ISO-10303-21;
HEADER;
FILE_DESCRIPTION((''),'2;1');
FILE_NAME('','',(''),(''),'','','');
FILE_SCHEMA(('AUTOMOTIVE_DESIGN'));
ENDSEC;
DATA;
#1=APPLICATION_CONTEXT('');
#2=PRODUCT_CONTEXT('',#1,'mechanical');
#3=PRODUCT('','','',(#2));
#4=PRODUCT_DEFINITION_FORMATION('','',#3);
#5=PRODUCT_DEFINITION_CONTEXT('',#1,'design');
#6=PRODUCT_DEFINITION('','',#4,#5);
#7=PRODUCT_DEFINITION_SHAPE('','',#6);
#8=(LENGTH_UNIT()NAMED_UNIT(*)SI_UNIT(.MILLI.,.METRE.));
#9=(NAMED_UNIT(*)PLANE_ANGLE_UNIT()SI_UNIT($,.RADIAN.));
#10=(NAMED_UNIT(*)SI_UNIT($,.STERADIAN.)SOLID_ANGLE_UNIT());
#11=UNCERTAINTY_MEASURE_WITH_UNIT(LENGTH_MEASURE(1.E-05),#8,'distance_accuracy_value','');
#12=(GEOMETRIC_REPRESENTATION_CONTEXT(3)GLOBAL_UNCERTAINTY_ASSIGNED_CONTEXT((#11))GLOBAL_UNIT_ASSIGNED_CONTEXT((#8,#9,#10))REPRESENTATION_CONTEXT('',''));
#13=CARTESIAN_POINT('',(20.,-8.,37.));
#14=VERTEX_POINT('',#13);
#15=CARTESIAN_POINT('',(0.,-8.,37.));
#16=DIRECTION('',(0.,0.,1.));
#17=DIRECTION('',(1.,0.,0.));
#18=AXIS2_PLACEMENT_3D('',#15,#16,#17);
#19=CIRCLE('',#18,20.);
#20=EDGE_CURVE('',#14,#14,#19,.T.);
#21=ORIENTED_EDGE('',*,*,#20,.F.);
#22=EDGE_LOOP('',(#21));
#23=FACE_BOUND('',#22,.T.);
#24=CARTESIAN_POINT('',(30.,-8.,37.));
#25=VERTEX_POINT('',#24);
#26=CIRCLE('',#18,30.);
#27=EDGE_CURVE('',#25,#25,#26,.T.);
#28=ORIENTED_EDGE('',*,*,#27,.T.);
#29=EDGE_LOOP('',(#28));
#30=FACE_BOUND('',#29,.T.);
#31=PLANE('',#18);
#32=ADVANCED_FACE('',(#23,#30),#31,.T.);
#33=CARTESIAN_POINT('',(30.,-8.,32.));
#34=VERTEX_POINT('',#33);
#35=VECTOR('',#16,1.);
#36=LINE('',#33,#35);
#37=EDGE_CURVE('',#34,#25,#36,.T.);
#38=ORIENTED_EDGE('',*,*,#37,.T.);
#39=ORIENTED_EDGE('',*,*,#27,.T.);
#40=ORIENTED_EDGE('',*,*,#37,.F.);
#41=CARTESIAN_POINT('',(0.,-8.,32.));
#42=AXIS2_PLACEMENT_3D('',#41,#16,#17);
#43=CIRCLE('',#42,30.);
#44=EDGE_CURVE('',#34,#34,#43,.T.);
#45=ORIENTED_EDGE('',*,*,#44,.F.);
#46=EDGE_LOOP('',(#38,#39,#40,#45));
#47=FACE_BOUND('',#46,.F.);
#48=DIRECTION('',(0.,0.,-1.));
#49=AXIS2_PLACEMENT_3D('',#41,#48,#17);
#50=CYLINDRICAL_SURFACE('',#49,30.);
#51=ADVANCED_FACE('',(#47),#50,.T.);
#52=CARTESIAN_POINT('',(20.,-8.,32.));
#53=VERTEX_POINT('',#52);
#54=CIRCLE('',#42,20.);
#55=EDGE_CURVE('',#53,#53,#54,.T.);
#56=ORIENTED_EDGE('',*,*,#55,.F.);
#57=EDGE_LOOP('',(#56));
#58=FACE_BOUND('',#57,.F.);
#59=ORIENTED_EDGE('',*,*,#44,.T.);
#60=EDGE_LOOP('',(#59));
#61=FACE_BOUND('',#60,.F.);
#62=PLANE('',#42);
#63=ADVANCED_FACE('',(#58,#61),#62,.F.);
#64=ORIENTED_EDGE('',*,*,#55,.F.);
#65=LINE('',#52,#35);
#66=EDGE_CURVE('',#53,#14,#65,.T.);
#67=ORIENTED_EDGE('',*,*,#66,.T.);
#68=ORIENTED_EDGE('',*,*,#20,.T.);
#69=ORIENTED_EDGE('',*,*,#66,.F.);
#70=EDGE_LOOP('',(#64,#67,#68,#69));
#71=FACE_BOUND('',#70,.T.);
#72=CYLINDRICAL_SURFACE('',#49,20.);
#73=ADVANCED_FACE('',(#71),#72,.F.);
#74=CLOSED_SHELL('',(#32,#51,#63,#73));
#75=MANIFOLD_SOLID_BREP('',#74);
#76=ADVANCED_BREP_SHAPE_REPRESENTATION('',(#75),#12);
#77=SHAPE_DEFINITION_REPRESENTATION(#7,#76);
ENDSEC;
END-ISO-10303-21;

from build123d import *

# Parameters (mm, degrees)
CYLINDER729_R     = 20
CYLINDER729_DEPTH = 5
CYLINDER728_R     = 30
CYLINDER728_DEPTH = 5


with BuildPart() as cylinder799:
    # Cylinder729 → Cylinder729 (new body)
    with BuildSketch(Plane(origin=(0, -8, 28), x_dir=(1, 0, 0), z_dir=(0, 0, 1))):
        Circle(CYLINDER729_R)
    extrude(amount=CYLINDER729_DEPTH)


with BuildPart() as bearing:
    # Cylinder728 → Cylinder728 (new body)
    with BuildSketch(Plane(origin=(0, -8, 28), x_dir=(1, 0, 0), z_dir=(0, 0, 1))):
        Circle(CYLINDER728_R)
    extrude(amount=CYLINDER728_DEPTH)

    # Cut012035013: cut Cylinder799
    add(cylinder799.part, mode=Mode.SUBTRACT)


with BuildPart() as bearing_1:
    # Cut012035013 placement: moved
    add(bearing.part.moved(Location((0, 0, 4))))


solid = bearing_1.part
